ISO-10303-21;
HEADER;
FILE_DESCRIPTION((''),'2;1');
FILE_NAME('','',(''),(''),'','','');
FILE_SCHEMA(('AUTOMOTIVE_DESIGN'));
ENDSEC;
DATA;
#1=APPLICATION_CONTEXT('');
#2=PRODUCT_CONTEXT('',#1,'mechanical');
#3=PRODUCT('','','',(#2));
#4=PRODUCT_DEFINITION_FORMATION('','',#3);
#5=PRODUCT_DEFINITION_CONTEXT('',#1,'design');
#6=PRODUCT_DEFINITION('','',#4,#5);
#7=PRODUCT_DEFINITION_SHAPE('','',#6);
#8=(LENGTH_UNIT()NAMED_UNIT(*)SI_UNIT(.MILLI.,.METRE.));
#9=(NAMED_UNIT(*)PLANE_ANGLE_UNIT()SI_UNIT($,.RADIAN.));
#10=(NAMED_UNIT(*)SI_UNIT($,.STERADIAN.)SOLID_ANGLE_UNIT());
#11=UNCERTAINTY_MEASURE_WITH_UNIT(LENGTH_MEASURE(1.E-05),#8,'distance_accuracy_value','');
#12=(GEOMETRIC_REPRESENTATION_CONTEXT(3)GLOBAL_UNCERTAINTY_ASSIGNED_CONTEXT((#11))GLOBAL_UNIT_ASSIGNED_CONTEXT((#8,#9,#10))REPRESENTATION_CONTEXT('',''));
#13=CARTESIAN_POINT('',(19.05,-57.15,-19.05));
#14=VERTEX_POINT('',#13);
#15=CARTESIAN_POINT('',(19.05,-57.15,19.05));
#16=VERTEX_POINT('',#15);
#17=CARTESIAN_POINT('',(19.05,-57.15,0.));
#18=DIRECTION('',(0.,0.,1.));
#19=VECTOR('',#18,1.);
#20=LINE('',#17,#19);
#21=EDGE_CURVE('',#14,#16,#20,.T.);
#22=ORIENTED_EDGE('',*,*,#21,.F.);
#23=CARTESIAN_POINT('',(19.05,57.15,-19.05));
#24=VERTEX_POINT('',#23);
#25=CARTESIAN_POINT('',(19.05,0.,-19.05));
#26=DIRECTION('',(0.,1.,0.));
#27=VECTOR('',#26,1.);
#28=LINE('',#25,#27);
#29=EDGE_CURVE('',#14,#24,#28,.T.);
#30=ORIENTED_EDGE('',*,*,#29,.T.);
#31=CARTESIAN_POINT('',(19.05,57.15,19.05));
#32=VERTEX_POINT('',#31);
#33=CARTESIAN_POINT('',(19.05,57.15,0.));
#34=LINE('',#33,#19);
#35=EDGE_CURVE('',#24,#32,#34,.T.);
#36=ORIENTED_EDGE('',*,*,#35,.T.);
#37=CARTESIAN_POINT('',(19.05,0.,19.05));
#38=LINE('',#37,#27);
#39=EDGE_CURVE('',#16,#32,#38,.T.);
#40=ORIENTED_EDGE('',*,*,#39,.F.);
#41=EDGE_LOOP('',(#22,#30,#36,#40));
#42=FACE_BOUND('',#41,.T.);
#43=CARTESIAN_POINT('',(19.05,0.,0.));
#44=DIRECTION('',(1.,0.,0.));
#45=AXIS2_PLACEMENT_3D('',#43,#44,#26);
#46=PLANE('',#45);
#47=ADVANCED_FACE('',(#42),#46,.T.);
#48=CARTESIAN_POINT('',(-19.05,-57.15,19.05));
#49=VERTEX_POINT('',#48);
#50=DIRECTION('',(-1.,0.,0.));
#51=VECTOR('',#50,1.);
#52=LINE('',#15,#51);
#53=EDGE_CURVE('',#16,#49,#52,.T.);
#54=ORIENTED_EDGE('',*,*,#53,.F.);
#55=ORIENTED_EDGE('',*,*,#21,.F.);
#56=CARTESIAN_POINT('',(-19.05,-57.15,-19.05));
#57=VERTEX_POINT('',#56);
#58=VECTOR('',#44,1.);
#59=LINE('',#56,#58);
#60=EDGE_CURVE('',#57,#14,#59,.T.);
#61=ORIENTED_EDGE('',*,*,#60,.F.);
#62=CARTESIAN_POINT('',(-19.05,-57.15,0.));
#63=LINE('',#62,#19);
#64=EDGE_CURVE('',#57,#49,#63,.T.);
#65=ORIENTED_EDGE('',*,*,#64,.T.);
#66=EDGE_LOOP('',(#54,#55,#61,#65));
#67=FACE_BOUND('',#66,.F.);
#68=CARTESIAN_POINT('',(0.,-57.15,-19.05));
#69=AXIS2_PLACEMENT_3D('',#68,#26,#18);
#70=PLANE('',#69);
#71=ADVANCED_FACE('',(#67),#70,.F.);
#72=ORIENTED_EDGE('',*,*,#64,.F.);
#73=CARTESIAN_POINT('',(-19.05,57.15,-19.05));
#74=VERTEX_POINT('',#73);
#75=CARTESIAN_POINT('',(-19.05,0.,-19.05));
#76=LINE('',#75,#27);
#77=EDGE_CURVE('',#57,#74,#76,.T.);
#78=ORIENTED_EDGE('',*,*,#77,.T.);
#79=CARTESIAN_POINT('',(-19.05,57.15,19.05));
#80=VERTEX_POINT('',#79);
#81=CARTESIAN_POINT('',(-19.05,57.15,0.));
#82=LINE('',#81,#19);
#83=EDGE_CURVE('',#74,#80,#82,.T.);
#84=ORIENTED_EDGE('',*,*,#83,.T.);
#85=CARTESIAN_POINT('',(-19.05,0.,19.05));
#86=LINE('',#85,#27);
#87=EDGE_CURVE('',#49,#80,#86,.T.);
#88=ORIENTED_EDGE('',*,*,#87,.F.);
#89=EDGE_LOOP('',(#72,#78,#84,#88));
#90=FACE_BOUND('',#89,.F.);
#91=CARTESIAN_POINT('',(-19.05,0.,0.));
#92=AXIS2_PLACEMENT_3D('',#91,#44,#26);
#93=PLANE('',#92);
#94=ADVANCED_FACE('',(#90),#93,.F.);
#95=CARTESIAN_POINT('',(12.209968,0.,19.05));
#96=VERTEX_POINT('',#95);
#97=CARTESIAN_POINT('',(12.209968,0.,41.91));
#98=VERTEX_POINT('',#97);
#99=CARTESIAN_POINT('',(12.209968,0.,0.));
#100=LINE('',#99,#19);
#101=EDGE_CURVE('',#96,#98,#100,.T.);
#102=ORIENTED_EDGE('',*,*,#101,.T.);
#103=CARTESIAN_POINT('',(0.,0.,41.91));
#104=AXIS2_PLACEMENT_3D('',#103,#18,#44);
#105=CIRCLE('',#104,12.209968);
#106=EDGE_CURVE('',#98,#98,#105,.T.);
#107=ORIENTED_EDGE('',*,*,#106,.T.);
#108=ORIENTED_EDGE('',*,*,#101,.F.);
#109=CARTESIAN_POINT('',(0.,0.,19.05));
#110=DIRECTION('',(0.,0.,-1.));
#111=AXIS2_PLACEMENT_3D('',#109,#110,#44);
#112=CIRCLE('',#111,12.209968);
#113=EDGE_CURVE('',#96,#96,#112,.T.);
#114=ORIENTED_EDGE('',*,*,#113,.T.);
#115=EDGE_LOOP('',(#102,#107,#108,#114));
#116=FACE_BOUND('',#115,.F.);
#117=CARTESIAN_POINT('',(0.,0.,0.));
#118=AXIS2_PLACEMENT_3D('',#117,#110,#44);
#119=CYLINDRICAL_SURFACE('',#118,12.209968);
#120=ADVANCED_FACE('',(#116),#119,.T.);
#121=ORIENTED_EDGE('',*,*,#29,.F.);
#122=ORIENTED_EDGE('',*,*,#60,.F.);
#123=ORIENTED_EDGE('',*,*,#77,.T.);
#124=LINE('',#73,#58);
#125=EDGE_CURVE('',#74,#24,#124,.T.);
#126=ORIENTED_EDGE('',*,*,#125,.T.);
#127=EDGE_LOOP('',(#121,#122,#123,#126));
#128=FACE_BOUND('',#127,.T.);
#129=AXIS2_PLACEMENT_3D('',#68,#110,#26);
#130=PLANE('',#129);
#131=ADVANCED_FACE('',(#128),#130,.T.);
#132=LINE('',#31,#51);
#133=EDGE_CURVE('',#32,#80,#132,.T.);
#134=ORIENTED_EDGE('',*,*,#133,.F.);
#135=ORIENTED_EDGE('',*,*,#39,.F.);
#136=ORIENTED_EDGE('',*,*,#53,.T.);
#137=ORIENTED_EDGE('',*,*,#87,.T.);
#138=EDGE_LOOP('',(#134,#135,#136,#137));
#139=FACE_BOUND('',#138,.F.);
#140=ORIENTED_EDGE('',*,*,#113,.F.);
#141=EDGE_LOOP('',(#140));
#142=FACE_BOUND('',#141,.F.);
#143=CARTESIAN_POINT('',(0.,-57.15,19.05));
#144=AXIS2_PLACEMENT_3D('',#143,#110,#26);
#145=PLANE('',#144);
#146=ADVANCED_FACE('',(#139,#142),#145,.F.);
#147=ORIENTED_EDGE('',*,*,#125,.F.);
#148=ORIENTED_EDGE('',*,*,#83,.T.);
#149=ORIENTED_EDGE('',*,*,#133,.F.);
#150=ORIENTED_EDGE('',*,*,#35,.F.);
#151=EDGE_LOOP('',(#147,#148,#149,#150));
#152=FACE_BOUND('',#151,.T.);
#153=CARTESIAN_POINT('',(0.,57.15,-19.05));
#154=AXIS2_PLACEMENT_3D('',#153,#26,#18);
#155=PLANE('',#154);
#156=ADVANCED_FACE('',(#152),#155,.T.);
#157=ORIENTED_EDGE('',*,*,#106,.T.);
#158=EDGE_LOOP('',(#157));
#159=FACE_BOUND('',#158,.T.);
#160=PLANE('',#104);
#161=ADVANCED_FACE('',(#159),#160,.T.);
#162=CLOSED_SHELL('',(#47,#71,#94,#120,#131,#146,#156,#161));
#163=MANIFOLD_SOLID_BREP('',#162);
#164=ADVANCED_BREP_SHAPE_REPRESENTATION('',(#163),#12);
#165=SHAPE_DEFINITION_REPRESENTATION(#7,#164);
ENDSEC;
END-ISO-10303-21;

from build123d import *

# Parameters (mm, degrees)
F1_R     = 12.209968
F2_DEPTH = 41.91
F0_W     = 114.3
F0_H     = 38.1
F3_DEPTH = 19.05


with BuildPart() as f2:
    # F1 (on Top) → F2 (new body)
    with BuildSketch(Plane.XY):
        Circle(F1_R)
    extrude(amount=F2_DEPTH)

    # F0 (on Right) → F3 (join, symmetric)
    with BuildSketch(Plane.YZ):
        Rectangle(F0_W, F0_H)
    extrude(amount=F3_DEPTH, both=True)


solid = f2.part
